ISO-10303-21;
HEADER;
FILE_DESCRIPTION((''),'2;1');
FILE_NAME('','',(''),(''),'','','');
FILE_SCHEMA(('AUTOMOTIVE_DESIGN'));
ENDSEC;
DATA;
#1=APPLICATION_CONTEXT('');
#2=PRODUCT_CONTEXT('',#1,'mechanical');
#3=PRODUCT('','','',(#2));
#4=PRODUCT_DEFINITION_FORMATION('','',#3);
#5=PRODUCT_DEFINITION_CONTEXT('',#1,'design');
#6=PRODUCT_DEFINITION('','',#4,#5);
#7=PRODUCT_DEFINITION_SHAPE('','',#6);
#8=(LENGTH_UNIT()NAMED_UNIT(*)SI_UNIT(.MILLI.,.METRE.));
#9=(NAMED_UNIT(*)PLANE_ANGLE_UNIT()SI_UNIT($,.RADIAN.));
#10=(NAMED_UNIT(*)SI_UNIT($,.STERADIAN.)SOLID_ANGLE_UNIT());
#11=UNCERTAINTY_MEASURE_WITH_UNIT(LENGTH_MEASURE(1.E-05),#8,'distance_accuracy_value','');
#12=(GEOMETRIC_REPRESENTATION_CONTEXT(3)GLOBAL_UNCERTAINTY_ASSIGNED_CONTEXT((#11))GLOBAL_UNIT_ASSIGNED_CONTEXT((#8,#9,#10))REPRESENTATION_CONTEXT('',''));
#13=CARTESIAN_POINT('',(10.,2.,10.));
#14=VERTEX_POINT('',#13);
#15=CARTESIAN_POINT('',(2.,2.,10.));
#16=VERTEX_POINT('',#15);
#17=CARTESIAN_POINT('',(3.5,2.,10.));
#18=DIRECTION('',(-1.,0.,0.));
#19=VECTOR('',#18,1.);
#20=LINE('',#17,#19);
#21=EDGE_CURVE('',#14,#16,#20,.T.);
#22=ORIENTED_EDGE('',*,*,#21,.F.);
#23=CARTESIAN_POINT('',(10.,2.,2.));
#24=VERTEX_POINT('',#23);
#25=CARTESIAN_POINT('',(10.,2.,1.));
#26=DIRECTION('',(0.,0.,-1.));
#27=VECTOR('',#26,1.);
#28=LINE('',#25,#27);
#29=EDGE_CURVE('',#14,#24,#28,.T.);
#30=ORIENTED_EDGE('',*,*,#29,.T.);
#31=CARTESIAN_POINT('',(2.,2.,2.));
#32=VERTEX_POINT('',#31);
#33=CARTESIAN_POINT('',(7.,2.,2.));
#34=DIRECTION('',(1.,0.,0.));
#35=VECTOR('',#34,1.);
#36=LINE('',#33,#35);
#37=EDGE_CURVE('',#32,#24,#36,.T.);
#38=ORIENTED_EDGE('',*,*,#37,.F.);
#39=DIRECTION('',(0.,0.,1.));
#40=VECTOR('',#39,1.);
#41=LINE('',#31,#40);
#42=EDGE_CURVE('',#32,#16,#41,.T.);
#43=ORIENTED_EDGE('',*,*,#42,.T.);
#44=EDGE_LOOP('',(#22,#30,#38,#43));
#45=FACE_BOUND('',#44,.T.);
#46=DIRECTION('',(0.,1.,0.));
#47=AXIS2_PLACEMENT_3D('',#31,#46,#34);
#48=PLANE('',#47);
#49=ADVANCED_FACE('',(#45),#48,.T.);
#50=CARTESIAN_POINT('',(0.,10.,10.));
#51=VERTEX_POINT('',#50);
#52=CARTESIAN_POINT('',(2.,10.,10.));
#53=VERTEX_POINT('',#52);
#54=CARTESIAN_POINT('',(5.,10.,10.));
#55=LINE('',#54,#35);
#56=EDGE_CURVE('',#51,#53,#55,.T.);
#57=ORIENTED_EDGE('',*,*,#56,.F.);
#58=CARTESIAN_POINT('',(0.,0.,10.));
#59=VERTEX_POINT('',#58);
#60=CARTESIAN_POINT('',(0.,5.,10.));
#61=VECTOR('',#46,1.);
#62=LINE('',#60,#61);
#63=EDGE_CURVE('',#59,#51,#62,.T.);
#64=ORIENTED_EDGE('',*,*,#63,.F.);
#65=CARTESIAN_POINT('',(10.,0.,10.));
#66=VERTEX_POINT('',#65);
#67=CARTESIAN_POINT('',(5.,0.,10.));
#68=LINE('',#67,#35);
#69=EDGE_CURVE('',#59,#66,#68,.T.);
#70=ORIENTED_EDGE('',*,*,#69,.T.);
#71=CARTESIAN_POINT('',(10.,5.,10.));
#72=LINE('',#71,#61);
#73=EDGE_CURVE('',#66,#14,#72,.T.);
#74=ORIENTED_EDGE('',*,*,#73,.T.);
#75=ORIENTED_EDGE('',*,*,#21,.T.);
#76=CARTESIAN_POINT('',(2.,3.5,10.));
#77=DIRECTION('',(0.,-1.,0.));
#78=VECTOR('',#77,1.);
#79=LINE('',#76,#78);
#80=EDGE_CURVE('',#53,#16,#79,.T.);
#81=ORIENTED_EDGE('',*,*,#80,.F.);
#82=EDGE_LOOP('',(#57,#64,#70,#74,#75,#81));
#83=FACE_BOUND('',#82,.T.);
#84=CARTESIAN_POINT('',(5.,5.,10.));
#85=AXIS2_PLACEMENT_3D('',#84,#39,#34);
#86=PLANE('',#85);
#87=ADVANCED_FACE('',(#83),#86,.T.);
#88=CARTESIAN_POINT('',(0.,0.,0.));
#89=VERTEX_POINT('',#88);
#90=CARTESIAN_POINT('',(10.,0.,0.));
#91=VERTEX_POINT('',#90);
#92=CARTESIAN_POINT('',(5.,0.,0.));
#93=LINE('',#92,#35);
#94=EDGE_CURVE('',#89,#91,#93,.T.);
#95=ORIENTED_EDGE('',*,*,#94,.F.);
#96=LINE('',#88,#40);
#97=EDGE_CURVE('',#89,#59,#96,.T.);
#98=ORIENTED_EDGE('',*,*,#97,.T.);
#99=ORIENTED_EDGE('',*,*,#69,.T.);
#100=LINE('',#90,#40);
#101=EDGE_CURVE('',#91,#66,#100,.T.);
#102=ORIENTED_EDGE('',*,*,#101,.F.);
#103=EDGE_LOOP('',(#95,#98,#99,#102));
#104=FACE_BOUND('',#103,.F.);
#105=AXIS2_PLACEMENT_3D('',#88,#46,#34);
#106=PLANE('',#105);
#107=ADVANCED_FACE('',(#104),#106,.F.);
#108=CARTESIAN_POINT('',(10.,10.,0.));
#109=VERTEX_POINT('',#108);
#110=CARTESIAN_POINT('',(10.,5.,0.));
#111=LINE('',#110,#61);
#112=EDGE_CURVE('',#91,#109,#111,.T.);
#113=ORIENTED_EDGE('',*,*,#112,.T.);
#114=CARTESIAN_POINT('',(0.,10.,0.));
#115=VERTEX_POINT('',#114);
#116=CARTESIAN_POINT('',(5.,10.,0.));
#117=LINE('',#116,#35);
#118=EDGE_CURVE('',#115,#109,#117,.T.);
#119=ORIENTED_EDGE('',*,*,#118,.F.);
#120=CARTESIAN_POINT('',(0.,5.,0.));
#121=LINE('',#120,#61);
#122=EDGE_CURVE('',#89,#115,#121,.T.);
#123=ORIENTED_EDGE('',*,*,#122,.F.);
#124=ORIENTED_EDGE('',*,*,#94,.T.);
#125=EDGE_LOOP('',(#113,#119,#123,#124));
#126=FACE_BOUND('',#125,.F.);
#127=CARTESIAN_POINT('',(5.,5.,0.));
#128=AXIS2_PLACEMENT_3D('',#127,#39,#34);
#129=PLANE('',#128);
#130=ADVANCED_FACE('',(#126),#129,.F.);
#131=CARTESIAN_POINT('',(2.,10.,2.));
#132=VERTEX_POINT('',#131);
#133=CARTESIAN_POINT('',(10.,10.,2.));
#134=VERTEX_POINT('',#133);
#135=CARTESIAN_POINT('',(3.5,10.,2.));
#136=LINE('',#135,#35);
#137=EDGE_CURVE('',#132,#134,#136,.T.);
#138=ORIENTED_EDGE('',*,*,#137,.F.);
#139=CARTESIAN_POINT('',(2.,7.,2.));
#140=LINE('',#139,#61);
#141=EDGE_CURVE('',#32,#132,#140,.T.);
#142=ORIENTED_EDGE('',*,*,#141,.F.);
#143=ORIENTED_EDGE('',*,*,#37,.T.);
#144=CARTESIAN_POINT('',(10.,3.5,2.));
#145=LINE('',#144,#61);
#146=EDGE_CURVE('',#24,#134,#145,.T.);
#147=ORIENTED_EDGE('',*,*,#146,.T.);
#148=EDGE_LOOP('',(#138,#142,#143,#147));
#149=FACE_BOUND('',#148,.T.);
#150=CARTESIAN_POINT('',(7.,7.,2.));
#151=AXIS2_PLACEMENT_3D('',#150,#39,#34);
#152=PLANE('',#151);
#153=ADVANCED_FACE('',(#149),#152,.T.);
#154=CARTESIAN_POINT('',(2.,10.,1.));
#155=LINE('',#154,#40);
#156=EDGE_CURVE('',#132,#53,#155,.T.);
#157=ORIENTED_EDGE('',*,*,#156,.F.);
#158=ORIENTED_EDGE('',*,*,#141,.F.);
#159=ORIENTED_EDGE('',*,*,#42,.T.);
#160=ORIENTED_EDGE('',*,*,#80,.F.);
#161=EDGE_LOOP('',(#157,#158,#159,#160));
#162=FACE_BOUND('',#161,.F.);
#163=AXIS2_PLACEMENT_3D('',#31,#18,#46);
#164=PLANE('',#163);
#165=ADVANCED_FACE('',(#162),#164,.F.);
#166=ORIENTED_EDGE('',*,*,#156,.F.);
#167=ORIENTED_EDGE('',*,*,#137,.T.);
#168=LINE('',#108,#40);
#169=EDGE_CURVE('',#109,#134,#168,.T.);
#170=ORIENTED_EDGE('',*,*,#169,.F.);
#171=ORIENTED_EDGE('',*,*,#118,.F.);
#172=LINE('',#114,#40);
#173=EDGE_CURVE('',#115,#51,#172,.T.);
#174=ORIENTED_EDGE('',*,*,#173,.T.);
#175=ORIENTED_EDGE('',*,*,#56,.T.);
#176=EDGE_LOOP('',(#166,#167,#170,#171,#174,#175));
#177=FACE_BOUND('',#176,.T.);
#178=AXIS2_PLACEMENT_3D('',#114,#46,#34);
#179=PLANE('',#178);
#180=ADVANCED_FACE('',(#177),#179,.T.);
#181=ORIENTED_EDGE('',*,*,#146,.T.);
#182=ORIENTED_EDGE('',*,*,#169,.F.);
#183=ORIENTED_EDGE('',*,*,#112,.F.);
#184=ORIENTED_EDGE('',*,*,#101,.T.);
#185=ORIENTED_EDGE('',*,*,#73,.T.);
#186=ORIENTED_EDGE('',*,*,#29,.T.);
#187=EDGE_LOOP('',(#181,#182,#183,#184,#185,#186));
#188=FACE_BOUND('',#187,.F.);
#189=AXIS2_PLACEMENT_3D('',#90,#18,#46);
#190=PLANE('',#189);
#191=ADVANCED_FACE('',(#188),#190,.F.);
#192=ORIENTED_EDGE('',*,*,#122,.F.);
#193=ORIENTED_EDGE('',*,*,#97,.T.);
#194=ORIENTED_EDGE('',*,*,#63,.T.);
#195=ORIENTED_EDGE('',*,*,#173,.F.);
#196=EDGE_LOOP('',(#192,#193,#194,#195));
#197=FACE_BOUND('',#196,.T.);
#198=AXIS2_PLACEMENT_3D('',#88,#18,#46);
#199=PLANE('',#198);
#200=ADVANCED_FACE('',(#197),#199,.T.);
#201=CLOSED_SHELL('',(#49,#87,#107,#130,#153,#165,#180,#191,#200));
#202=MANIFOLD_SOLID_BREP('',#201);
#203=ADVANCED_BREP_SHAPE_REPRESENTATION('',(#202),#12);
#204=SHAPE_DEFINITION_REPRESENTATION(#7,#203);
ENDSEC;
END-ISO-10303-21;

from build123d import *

# Parameters (mm, degrees)
BOX001_W     = 10
BOX001_H     = 10
BOX001_DEPTH = 10
BOX_W        = 10
BOX_H        = 10
BOX_DEPTH    = 10


with BuildPart() as resta:
    # Box001 → Box001 (new body)
    with BuildSketch(Plane(origin=(2, 2, 2), x_dir=(1, 0, 0), z_dir=(0, 0, 1))):
        with Locations((5, 5)):
            Rectangle(BOX001_W, BOX001_H)
    extrude(amount=BOX001_DEPTH)


with BuildPart() as mi_pieza:
    # Box → Box (new body)
    with BuildSketch(Plane.XY):
        with Locations((5, 5)):
            Rectangle(BOX_W, BOX_H)
    extrude(amount=BOX_DEPTH)

    # Cut: cut resta
    add(resta.part, mode=Mode.SUBTRACT)


solid = mi_pieza.part
